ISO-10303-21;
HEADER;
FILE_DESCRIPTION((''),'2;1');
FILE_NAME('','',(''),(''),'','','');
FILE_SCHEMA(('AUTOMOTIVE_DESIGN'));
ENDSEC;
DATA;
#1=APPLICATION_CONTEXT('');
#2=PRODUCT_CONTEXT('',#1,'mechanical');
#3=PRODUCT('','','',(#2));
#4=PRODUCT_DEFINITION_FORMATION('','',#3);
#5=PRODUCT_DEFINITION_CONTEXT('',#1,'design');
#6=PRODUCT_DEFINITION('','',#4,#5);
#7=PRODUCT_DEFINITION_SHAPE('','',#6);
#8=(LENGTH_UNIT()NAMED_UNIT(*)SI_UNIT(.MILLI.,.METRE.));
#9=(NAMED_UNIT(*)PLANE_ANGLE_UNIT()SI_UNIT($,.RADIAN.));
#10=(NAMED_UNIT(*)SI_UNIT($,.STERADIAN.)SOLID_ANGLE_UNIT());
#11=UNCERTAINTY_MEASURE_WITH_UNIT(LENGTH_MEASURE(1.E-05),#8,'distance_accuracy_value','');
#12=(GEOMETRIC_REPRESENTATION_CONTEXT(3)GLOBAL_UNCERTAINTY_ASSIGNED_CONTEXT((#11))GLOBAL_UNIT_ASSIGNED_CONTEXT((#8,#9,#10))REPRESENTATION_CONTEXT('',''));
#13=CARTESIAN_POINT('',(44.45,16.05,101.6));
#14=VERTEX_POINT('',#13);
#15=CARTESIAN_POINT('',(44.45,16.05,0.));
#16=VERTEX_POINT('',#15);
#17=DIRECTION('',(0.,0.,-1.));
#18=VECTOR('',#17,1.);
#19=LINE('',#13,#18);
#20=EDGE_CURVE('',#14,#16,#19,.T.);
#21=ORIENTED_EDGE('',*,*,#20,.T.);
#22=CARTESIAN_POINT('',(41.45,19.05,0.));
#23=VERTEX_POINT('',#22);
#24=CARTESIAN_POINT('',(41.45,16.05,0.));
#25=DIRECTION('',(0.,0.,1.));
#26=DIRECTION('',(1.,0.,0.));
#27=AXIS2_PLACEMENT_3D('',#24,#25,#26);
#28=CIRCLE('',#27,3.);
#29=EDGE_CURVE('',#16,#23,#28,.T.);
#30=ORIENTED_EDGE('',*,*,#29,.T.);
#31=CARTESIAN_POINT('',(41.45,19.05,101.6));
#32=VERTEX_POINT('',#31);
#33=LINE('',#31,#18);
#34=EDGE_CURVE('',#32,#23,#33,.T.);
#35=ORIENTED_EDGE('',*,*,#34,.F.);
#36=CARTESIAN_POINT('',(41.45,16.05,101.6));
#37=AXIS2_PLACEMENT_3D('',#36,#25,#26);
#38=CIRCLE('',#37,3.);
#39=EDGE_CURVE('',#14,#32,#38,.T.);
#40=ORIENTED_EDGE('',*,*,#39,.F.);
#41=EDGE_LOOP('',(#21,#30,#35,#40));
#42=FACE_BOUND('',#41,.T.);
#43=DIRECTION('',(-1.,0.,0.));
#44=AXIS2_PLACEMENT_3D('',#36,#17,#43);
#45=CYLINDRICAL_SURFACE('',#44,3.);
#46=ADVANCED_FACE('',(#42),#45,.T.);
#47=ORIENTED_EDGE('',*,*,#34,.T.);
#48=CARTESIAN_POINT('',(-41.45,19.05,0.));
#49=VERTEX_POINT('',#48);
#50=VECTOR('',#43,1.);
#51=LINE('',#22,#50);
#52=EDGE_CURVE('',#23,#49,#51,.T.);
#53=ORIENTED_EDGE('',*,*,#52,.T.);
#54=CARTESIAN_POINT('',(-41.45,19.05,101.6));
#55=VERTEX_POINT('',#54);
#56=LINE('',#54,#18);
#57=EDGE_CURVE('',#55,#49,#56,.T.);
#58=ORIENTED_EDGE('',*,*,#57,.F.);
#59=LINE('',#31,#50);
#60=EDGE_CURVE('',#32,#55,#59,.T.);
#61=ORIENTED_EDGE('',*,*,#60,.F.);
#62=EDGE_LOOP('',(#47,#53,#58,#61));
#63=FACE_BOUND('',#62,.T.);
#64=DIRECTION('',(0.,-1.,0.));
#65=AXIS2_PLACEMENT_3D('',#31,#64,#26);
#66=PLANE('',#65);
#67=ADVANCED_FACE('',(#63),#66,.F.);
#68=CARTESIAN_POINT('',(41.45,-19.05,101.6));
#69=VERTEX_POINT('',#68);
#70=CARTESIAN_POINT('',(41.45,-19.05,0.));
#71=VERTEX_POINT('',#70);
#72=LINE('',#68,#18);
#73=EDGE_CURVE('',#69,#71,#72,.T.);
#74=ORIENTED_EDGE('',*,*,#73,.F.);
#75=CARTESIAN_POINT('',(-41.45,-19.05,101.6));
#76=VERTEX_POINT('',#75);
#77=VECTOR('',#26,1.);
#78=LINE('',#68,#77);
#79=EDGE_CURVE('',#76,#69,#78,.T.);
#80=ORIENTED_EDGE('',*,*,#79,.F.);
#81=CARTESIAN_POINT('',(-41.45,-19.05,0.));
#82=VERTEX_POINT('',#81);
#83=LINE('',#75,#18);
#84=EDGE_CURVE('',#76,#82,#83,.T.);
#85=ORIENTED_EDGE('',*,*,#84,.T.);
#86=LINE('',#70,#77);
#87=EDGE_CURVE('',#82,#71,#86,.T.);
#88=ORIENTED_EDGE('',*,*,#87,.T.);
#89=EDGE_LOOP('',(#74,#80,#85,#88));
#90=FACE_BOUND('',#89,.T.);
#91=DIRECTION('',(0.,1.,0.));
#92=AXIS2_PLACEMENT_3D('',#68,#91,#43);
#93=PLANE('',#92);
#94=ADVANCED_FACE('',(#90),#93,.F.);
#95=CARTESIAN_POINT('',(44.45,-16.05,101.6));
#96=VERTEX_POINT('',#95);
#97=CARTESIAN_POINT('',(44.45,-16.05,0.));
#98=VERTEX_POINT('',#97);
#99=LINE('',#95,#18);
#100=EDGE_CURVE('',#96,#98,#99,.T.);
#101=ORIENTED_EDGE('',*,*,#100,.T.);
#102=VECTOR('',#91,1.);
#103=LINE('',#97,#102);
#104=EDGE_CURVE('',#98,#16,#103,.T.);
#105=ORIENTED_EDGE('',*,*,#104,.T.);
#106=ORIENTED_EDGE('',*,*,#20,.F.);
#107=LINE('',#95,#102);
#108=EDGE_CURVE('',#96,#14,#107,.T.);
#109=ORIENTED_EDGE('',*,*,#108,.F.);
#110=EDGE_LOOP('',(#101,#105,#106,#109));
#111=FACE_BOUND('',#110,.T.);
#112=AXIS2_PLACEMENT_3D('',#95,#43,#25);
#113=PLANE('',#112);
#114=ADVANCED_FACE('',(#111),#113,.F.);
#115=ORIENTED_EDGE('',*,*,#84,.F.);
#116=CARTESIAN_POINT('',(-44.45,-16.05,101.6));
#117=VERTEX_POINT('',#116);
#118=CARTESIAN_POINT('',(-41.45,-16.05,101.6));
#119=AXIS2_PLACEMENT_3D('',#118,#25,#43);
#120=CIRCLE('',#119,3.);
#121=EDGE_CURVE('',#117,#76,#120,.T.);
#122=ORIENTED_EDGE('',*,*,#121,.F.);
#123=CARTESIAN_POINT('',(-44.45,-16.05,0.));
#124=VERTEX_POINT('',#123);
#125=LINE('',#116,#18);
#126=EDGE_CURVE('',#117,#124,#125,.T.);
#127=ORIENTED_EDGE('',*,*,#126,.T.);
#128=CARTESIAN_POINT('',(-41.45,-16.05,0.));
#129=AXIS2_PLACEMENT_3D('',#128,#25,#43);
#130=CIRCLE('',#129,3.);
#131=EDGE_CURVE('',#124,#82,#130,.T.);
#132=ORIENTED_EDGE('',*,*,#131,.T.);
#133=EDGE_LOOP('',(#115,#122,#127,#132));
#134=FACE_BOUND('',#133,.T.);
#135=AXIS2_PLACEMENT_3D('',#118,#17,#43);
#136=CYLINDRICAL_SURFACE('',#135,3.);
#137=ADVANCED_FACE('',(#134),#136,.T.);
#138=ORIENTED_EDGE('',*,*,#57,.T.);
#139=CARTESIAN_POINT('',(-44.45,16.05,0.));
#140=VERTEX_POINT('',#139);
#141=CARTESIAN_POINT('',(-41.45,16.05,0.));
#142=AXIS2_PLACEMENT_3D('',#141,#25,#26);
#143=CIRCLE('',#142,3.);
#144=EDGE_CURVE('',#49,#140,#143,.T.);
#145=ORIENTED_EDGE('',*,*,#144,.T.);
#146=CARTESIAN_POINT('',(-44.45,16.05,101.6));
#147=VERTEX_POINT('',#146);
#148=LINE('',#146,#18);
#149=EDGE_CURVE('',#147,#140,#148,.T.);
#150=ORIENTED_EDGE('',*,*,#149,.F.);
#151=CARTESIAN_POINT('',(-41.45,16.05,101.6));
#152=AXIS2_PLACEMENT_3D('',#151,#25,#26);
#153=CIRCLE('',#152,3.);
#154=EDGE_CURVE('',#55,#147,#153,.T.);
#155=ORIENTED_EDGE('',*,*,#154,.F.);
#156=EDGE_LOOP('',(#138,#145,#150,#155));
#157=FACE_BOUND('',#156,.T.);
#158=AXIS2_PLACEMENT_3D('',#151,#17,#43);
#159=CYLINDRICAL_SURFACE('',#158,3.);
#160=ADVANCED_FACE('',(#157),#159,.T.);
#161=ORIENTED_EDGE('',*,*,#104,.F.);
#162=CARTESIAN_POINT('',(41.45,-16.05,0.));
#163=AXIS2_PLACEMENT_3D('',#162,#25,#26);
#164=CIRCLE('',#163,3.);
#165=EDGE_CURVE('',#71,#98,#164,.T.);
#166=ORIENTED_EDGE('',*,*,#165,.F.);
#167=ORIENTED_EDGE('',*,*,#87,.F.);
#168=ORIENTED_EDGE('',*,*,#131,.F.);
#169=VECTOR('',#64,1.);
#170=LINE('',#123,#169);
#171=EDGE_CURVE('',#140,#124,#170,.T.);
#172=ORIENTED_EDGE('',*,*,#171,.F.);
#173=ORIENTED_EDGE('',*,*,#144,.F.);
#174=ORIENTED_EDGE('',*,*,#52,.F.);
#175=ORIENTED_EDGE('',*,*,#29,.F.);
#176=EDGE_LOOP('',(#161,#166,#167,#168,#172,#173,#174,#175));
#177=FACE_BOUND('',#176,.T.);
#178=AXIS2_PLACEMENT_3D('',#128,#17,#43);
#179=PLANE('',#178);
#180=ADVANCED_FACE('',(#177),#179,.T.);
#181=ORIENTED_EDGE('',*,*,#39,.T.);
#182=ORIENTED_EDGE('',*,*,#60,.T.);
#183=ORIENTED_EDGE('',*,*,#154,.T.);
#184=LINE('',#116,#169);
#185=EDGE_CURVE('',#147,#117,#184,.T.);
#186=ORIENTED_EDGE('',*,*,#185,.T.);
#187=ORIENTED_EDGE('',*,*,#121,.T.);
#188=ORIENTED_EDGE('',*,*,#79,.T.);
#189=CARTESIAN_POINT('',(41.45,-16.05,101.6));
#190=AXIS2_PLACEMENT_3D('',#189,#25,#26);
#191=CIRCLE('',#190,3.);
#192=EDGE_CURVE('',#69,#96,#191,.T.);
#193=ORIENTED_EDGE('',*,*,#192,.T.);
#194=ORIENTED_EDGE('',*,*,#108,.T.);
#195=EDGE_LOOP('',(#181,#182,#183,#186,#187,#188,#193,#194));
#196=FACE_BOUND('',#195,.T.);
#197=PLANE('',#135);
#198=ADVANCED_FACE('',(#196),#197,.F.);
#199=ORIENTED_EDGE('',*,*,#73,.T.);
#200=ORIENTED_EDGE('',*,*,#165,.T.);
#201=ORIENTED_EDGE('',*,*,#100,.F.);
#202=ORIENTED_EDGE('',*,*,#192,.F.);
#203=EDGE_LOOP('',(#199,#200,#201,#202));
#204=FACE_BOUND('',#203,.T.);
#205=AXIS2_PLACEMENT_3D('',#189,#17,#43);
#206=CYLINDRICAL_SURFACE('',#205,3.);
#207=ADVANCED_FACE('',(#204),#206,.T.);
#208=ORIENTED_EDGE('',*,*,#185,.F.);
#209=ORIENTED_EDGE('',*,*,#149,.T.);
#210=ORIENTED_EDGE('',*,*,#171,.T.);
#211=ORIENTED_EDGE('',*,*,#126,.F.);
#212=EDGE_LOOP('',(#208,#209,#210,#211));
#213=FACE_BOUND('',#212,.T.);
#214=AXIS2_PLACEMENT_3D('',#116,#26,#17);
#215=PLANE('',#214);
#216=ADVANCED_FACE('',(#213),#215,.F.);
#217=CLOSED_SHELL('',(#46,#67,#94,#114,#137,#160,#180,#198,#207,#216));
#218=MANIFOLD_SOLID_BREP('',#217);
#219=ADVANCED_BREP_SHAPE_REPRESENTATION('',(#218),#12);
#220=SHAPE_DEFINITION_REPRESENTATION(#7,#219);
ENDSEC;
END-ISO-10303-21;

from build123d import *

# Parameters (mm, degrees)
BOSS_EXTRUDE1_DEPTH = 101.6


with BuildPart() as part:
    # Sketch1 → Boss-Extrude1 (new body)
    with BuildSketch(Plane.XY):
        with BuildLine():
            Line((41.45, -19.05), (-41.45, -19.05))
            ThreePointArc((-41.45, -19.05), (-43.571320344, -18.171320344), (-44.45, -16.05))
            Line((-44.45, -16.05), (-44.45, 16.05))
            ThreePointArc((-44.45, 16.05), (-43.571320344, 18.171320344), (-41.45, 19.05))
            Line((-41.45, 19.05), (41.45, 19.05))
            ThreePointArc((41.45, 19.05), (43.571320344, 18.171320344), (44.45, 16.05))
            Line((44.45, 16.05), (44.45, -16.05))
            ThreePointArc((44.45, -16.05), (43.571320344, -18.171320344), (41.45, -19.05))
        make_face()
    extrude(amount=BOSS_EXTRUDE1_DEPTH)


solid = part.part
